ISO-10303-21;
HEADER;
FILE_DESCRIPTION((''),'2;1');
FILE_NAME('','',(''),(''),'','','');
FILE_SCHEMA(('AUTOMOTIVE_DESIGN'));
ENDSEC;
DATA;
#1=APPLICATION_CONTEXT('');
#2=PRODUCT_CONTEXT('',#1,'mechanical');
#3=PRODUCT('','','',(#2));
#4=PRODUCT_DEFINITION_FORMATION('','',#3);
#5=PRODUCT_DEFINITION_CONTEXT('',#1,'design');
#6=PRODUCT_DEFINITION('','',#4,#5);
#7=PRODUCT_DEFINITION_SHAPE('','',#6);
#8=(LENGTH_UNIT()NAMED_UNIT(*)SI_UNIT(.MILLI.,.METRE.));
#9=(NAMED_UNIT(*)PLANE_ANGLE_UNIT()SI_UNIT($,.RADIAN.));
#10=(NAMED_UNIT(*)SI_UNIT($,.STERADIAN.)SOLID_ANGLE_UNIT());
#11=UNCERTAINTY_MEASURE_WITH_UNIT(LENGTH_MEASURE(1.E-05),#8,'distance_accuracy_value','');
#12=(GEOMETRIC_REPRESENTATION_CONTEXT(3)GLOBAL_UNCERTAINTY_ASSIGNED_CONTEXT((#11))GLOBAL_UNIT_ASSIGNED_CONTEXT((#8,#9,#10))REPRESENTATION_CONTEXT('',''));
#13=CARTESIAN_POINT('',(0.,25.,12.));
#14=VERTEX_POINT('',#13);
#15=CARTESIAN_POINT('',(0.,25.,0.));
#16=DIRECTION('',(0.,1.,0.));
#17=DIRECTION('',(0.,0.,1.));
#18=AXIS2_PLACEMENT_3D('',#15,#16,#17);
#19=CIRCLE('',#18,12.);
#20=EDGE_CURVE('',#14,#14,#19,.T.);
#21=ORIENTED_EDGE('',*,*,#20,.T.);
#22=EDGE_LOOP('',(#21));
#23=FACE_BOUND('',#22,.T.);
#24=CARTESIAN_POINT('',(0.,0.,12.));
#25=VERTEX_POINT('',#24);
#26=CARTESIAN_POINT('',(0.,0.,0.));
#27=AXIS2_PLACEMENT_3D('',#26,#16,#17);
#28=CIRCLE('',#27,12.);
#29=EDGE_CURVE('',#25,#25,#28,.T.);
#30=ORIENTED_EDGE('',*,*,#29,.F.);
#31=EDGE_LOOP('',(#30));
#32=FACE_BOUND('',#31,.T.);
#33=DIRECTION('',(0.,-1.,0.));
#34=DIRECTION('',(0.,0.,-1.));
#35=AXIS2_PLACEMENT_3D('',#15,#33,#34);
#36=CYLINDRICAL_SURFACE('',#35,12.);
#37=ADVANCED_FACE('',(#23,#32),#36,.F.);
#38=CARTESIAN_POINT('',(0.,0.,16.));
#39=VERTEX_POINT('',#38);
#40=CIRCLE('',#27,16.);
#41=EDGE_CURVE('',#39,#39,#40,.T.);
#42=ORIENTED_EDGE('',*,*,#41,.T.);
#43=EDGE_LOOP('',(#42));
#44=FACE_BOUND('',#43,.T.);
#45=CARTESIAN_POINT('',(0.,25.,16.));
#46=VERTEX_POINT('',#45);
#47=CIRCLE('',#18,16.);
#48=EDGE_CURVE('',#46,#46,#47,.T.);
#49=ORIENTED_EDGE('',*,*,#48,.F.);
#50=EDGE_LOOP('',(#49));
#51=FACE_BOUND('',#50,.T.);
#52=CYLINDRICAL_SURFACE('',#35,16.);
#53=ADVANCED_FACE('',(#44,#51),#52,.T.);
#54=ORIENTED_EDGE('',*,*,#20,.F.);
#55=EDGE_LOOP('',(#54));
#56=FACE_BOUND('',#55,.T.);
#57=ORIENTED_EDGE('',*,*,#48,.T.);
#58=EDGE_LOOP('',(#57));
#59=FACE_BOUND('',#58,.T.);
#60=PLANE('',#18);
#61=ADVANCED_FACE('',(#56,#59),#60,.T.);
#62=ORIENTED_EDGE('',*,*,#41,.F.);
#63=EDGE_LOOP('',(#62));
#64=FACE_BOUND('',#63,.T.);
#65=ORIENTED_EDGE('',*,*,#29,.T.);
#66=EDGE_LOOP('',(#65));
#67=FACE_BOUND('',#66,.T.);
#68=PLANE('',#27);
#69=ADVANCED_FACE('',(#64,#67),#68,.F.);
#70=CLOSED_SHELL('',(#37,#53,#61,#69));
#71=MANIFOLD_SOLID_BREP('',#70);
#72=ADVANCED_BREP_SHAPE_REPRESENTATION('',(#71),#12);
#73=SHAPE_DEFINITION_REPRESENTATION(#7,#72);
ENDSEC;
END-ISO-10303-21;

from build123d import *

# Parameters (mm, degrees)
SKETCH1_R           = 16
SKETCH1_R_2         = 12
BOSS_EXTRUDE1_DEPTH = 25


with BuildPart() as part:
    # Sketch1 → Boss-Extrude1 (new body)
    with BuildSketch(Plane(origin=(0, 0, 0), x_dir=(1, 0, 0), z_dir=(0, 1, 0))):
        with Locations(Location((0, 0, 0), (0, 0, 270))):
            Circle(SKETCH1_R)
        with Locations(Location((0, 0, 0), (0, 0, 270))):
            Circle(SKETCH1_R_2, mode=Mode.SUBTRACT)
    extrude(amount=BOSS_EXTRUDE1_DEPTH)


solid = part.part
